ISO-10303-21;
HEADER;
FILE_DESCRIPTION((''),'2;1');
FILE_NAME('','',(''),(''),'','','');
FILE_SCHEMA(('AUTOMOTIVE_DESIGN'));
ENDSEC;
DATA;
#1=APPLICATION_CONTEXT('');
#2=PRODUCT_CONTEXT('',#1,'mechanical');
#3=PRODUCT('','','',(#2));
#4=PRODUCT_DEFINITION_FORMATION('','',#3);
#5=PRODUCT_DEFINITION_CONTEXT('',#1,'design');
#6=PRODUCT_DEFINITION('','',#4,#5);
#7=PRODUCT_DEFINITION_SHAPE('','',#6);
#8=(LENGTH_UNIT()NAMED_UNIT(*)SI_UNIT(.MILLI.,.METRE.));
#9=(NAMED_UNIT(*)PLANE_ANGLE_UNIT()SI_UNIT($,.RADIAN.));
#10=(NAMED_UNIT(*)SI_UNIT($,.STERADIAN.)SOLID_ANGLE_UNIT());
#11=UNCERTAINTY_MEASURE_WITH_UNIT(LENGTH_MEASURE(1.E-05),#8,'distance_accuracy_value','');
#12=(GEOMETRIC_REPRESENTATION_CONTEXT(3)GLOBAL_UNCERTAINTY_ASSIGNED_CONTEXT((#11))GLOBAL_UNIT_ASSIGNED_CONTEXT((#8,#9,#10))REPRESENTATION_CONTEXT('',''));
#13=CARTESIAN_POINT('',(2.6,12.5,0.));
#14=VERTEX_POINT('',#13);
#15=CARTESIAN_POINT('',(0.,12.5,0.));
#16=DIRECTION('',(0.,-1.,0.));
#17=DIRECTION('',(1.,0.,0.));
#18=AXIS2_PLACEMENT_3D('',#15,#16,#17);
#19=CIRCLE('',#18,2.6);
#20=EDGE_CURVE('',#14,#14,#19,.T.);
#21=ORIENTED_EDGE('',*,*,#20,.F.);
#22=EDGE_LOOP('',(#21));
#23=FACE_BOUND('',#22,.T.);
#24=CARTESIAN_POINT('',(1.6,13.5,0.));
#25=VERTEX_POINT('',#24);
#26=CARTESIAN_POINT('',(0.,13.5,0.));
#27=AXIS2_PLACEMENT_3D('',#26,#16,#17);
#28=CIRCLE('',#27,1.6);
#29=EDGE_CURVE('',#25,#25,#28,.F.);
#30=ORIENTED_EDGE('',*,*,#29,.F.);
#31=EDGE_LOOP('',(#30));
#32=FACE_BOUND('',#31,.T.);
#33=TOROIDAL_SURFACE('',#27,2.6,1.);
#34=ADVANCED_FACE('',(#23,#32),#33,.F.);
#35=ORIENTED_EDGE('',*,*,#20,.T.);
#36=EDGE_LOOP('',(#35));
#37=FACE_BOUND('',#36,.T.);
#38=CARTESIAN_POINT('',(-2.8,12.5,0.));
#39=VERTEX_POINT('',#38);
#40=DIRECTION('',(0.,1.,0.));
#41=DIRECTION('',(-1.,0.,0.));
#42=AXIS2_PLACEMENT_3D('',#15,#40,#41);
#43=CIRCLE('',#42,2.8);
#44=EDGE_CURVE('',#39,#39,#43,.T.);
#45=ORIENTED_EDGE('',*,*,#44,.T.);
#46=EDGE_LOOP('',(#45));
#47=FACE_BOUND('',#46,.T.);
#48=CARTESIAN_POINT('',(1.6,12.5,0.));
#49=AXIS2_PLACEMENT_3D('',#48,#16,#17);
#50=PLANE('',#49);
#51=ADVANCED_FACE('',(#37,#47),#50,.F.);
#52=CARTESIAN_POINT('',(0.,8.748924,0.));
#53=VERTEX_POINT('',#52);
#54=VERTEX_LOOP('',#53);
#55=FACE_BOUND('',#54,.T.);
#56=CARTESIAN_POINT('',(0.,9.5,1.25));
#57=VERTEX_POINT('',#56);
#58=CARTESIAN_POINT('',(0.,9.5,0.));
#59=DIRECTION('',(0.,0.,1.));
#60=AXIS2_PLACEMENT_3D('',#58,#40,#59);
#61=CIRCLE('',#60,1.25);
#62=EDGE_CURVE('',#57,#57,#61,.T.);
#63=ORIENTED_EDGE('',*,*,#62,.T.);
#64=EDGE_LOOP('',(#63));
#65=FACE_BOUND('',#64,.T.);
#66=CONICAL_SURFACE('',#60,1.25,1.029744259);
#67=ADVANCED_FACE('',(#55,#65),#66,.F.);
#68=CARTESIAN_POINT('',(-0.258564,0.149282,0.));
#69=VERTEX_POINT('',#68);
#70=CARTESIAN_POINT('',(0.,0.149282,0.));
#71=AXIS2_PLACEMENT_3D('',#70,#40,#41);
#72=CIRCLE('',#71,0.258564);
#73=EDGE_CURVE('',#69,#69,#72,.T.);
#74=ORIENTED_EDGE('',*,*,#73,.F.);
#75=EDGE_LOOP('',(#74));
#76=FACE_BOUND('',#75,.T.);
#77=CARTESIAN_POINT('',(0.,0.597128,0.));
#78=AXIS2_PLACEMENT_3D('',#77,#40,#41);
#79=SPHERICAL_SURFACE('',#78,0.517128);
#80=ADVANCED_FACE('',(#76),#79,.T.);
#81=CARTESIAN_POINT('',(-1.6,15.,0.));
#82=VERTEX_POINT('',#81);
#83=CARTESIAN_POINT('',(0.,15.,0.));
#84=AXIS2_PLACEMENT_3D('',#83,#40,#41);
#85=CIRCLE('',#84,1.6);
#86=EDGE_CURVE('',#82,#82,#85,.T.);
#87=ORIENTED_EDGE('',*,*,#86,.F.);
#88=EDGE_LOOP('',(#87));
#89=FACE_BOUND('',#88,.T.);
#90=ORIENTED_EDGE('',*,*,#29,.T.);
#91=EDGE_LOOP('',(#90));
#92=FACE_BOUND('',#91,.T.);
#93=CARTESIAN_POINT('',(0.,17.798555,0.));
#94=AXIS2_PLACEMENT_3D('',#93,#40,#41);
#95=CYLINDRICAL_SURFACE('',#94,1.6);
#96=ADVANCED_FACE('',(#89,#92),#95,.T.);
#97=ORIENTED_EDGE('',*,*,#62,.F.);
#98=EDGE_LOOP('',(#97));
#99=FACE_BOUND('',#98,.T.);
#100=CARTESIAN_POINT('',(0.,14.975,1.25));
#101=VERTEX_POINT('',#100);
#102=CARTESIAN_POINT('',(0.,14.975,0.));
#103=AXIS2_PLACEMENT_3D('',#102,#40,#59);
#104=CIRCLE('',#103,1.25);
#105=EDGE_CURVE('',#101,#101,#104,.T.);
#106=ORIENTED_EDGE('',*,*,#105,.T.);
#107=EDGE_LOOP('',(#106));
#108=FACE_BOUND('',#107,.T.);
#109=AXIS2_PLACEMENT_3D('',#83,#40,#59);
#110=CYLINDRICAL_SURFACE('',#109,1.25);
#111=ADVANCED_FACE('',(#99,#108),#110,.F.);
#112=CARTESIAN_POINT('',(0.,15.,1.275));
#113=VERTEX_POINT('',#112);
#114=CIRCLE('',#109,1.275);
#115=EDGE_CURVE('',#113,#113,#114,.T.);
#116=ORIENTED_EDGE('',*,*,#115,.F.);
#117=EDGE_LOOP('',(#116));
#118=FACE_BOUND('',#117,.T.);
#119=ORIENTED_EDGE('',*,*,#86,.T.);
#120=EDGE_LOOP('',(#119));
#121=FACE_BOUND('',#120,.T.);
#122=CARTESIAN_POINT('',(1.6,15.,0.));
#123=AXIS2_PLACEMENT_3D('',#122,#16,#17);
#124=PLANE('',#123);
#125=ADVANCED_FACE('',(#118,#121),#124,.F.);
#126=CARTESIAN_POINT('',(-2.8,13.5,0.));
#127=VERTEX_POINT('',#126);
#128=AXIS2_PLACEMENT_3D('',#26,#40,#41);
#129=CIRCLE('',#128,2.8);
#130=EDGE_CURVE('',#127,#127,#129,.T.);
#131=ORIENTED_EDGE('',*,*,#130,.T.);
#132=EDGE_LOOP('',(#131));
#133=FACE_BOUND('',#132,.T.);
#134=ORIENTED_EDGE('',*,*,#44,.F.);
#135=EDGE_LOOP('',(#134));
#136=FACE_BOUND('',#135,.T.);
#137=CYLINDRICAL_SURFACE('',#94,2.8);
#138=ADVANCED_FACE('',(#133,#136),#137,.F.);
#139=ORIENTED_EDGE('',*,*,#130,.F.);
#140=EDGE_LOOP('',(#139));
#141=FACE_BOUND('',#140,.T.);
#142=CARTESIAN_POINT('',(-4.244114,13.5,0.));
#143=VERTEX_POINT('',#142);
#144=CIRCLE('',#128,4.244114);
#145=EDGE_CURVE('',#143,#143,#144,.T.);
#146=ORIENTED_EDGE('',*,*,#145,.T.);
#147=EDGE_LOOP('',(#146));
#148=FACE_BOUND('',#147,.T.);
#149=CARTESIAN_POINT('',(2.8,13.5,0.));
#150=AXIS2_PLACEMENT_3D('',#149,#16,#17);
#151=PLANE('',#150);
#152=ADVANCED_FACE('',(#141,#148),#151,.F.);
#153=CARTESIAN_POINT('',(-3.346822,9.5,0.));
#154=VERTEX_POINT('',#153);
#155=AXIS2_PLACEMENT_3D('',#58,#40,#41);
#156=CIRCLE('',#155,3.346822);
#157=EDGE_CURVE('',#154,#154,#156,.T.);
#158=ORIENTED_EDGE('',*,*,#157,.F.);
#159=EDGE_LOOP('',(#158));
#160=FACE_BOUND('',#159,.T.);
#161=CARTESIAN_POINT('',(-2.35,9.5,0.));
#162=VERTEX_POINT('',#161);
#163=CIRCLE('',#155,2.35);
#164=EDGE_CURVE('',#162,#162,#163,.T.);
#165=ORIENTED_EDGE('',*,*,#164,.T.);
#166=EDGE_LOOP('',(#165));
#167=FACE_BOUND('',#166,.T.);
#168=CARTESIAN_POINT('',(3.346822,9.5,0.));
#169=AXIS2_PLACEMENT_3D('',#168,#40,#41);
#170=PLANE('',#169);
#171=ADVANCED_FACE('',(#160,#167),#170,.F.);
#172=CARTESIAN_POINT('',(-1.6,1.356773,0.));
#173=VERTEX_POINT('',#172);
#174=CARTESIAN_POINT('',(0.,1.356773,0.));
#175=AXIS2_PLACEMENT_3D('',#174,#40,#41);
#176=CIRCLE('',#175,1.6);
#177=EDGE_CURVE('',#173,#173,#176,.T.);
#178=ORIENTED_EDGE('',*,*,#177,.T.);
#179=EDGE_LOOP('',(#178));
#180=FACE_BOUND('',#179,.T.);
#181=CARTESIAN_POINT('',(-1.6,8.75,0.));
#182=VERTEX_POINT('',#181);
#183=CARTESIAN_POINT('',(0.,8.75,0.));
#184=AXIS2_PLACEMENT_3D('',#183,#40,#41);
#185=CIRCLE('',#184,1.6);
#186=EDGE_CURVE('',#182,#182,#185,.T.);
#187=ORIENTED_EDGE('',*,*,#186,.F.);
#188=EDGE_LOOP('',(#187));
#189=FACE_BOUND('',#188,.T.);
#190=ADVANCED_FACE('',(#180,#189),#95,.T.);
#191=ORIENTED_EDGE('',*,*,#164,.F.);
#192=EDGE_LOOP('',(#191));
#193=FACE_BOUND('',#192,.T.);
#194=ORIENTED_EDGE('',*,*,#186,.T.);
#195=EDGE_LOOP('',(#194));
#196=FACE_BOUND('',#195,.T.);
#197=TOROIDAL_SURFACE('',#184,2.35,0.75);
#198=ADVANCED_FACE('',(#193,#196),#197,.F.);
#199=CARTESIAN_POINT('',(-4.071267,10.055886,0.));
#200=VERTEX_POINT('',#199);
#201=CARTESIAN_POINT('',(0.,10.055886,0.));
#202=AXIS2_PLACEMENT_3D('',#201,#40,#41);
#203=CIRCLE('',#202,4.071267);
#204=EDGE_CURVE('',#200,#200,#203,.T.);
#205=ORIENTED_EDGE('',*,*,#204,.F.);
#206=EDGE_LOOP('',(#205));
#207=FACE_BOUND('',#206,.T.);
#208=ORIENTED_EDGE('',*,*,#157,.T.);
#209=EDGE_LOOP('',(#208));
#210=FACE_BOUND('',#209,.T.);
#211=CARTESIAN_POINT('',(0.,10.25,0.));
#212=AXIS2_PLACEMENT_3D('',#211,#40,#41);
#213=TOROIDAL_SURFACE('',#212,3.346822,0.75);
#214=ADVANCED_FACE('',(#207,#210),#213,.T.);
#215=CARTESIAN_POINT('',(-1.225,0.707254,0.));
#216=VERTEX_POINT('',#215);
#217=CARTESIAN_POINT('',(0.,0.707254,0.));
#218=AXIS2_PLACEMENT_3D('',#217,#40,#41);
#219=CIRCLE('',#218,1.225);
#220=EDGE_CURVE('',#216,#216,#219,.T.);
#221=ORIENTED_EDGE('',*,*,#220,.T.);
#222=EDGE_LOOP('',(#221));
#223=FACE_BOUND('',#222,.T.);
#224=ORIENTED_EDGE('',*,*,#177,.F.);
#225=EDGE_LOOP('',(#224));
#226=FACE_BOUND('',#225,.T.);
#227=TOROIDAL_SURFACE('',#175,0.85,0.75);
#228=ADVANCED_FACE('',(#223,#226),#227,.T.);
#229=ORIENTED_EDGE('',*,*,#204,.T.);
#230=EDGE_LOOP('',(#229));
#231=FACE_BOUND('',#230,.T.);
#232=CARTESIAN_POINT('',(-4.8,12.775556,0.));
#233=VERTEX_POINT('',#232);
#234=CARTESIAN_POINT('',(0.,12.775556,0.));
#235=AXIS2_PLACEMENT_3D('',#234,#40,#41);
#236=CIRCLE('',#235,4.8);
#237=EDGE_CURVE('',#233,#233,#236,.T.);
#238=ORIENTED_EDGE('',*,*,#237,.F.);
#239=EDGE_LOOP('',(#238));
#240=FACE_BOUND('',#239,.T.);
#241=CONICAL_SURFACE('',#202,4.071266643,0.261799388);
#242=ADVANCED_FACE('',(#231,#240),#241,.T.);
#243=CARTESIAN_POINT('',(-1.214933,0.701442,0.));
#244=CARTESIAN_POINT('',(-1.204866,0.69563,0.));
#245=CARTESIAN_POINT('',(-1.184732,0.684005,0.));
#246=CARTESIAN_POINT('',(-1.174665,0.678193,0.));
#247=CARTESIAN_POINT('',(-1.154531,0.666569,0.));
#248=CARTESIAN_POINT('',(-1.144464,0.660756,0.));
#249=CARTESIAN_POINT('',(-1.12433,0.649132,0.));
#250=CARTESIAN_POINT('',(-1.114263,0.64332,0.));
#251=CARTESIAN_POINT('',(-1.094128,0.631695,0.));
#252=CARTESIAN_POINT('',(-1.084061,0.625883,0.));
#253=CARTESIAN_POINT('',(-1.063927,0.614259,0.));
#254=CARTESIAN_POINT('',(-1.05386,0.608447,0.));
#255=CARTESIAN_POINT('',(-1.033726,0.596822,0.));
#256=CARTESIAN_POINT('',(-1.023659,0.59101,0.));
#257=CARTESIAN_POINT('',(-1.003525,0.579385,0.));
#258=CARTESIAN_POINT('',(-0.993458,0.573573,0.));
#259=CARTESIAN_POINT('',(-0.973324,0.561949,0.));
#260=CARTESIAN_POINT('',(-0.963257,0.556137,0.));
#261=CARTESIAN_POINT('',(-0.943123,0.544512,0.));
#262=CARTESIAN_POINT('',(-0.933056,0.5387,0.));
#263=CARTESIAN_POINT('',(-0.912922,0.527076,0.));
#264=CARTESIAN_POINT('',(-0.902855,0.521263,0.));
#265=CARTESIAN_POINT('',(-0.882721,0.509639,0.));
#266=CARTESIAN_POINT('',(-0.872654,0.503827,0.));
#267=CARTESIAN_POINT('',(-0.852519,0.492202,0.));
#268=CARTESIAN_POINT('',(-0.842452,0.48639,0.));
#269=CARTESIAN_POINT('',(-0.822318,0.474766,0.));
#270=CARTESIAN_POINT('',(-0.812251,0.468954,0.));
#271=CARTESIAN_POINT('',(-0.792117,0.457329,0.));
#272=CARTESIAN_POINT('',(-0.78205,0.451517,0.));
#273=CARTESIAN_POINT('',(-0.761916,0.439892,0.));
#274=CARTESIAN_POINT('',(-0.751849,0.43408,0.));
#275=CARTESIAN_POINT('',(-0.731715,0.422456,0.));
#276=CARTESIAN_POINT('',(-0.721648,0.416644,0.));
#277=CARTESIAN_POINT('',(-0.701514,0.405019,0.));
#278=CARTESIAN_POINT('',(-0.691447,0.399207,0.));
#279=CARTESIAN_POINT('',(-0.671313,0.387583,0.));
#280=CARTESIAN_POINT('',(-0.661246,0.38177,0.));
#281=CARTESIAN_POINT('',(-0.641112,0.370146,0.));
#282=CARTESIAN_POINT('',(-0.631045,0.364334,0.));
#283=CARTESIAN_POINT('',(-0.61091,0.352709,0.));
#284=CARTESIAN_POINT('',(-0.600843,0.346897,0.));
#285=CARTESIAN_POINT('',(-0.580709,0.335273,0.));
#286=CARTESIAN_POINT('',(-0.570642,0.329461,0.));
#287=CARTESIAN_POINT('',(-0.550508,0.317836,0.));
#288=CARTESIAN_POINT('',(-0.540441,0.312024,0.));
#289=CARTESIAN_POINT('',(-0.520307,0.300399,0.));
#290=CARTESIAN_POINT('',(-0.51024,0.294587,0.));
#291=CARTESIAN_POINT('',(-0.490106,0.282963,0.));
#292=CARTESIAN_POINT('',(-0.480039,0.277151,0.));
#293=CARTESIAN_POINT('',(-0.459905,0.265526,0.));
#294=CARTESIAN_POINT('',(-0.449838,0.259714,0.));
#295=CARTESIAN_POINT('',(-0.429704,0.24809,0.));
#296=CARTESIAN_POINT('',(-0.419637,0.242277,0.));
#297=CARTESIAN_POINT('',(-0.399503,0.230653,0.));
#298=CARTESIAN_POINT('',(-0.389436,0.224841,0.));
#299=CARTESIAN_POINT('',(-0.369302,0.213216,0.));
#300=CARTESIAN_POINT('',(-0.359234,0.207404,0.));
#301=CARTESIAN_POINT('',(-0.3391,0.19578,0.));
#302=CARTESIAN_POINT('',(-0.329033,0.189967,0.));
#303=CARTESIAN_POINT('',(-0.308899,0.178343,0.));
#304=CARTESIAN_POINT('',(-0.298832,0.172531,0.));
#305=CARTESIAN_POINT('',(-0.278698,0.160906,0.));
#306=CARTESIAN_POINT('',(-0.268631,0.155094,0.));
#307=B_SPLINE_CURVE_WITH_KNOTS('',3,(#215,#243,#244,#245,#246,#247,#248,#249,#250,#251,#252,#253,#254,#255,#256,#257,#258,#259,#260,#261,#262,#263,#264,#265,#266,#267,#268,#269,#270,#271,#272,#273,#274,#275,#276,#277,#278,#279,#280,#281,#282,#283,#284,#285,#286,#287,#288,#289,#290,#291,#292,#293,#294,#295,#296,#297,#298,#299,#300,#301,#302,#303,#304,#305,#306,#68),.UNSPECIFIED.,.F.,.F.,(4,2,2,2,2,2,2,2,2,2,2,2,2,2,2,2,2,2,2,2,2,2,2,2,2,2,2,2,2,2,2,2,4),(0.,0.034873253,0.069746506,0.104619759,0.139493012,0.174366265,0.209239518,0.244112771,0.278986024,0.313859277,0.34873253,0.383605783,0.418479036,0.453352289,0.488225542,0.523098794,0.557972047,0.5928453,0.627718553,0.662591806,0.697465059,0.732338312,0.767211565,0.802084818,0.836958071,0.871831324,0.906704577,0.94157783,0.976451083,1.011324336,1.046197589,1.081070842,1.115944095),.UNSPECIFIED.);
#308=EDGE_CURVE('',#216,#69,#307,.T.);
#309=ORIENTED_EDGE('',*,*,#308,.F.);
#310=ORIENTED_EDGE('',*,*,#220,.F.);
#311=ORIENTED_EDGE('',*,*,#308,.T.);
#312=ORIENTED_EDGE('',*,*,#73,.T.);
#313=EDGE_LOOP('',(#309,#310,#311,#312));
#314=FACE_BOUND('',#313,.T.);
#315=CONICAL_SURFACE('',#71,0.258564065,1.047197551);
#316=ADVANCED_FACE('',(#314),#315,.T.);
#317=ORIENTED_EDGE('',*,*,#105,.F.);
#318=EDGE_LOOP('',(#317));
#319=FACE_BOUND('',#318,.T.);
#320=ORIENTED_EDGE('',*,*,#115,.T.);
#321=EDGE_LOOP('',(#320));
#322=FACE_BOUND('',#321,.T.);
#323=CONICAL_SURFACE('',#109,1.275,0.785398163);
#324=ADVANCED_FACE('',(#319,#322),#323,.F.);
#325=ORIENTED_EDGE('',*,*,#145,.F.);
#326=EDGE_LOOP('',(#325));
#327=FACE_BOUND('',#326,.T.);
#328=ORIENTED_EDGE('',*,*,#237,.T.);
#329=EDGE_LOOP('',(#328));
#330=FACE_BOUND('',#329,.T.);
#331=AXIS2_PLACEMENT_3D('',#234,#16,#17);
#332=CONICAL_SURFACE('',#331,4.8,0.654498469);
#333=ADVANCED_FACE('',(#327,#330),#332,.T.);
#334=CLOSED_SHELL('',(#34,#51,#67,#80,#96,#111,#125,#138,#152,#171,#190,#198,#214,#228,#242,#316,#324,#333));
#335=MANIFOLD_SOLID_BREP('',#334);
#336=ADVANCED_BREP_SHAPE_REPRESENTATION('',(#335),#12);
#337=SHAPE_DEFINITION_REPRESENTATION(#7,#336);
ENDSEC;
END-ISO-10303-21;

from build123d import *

# Parameters (mm, degrees)
FILLET1_R                       = 1
F_2_5MM_DOWEL_HOLE1_D           = 2.5
F_2_5MM_DOWEL_HOLE1_DEPTH       = 5.5
F_2_5MM_DOWEL_HOLE1_CSINK_D     = 2.55
F_2_5MM_DOWEL_HOLE1_CSINK_ANGLE = 90
F_2_5MM_DOWEL_HOLE1_TIP         = 0.751075774


with BuildPart() as part:
    # Sketch1 → Revolve1 (revolve)
    with BuildSketch(Plane.XY, mode=Mode.PRIVATE) as revolve1_sk:
        with BuildLine():
            Line((1.6, 15), (1.6, 12.5))
            Line((1.6, 12.5), (2.8, 12.5))
            Line((2.8, 12.5), (2.8, 13.5))
            Line((2.8, 13.5), (4.244114284, 13.5))
            Line((4.244114284, 13.5), (4.8, 12.77555563))
            Line((4.8, 12.77555563), (4.071266643, 10.055885716))
            ThreePointArc((4.071266643, 10.055885716), (3.803393345, 9.654984995), (3.346822273, 9.5))
            Line((3.346822273, 9.5), (2.35, 9.5))
            ThreePointArc((2.35, 9.5), (1.819669914, 9.280330086), (1.6, 8.75))
            Line((1.6, 8.75), (1.6, 1.356773133))
            ThreePointArc((1.6, 1.356773133), (1.499519053, 0.981773133), (1.225, 0.70725408))
            Line((1.225, 0.70725408), (0.258564065, 0.149282032))
            ThreePointArc((0.258564065, 0.149282032), (0.133842609, 0.097620714), (0, 0.08))
            Line((0, 0.08), (0, 15))
            Line((0, 15), (1.6, 15))
        make_face()
    revolve(revolve1_sk.sketch.rotate(Axis((0, 17.798555487, 0), (0, -1, 0)), 180), axis=Axis((0, 17.798555487, 0), (0, -1, 0)))

    # Fillet1
    fillet1_edges = [part.edges().sort_by_distance(p)[0] for p in [
        (1.6, 12.5, 0),
    ]]
    fillet(fillet1_edges, radius=FILLET1_R)

    # Ø2.5mm Dowel Hole1
    with Locations(Plane(origin=(0, 15, 0), x_dir=(1, 0, 0), z_dir=(0, 1, 0))):
        with Locations((0, 0)):
            CounterSinkHole(F_2_5MM_DOWEL_HOLE1_D / 2, F_2_5MM_DOWEL_HOLE1_CSINK_D / 2, depth=F_2_5MM_DOWEL_HOLE1_DEPTH, counter_sink_angle=F_2_5MM_DOWEL_HOLE1_CSINK_ANGLE)
            with Locations((0, 0, -(F_2_5MM_DOWEL_HOLE1_DEPTH + F_2_5MM_DOWEL_HOLE1_TIP / 2))):  # 118° drill point
                Cone(0, F_2_5MM_DOWEL_HOLE1_D / 2, F_2_5MM_DOWEL_HOLE1_TIP, mode=Mode.SUBTRACT)


solid = part.part
